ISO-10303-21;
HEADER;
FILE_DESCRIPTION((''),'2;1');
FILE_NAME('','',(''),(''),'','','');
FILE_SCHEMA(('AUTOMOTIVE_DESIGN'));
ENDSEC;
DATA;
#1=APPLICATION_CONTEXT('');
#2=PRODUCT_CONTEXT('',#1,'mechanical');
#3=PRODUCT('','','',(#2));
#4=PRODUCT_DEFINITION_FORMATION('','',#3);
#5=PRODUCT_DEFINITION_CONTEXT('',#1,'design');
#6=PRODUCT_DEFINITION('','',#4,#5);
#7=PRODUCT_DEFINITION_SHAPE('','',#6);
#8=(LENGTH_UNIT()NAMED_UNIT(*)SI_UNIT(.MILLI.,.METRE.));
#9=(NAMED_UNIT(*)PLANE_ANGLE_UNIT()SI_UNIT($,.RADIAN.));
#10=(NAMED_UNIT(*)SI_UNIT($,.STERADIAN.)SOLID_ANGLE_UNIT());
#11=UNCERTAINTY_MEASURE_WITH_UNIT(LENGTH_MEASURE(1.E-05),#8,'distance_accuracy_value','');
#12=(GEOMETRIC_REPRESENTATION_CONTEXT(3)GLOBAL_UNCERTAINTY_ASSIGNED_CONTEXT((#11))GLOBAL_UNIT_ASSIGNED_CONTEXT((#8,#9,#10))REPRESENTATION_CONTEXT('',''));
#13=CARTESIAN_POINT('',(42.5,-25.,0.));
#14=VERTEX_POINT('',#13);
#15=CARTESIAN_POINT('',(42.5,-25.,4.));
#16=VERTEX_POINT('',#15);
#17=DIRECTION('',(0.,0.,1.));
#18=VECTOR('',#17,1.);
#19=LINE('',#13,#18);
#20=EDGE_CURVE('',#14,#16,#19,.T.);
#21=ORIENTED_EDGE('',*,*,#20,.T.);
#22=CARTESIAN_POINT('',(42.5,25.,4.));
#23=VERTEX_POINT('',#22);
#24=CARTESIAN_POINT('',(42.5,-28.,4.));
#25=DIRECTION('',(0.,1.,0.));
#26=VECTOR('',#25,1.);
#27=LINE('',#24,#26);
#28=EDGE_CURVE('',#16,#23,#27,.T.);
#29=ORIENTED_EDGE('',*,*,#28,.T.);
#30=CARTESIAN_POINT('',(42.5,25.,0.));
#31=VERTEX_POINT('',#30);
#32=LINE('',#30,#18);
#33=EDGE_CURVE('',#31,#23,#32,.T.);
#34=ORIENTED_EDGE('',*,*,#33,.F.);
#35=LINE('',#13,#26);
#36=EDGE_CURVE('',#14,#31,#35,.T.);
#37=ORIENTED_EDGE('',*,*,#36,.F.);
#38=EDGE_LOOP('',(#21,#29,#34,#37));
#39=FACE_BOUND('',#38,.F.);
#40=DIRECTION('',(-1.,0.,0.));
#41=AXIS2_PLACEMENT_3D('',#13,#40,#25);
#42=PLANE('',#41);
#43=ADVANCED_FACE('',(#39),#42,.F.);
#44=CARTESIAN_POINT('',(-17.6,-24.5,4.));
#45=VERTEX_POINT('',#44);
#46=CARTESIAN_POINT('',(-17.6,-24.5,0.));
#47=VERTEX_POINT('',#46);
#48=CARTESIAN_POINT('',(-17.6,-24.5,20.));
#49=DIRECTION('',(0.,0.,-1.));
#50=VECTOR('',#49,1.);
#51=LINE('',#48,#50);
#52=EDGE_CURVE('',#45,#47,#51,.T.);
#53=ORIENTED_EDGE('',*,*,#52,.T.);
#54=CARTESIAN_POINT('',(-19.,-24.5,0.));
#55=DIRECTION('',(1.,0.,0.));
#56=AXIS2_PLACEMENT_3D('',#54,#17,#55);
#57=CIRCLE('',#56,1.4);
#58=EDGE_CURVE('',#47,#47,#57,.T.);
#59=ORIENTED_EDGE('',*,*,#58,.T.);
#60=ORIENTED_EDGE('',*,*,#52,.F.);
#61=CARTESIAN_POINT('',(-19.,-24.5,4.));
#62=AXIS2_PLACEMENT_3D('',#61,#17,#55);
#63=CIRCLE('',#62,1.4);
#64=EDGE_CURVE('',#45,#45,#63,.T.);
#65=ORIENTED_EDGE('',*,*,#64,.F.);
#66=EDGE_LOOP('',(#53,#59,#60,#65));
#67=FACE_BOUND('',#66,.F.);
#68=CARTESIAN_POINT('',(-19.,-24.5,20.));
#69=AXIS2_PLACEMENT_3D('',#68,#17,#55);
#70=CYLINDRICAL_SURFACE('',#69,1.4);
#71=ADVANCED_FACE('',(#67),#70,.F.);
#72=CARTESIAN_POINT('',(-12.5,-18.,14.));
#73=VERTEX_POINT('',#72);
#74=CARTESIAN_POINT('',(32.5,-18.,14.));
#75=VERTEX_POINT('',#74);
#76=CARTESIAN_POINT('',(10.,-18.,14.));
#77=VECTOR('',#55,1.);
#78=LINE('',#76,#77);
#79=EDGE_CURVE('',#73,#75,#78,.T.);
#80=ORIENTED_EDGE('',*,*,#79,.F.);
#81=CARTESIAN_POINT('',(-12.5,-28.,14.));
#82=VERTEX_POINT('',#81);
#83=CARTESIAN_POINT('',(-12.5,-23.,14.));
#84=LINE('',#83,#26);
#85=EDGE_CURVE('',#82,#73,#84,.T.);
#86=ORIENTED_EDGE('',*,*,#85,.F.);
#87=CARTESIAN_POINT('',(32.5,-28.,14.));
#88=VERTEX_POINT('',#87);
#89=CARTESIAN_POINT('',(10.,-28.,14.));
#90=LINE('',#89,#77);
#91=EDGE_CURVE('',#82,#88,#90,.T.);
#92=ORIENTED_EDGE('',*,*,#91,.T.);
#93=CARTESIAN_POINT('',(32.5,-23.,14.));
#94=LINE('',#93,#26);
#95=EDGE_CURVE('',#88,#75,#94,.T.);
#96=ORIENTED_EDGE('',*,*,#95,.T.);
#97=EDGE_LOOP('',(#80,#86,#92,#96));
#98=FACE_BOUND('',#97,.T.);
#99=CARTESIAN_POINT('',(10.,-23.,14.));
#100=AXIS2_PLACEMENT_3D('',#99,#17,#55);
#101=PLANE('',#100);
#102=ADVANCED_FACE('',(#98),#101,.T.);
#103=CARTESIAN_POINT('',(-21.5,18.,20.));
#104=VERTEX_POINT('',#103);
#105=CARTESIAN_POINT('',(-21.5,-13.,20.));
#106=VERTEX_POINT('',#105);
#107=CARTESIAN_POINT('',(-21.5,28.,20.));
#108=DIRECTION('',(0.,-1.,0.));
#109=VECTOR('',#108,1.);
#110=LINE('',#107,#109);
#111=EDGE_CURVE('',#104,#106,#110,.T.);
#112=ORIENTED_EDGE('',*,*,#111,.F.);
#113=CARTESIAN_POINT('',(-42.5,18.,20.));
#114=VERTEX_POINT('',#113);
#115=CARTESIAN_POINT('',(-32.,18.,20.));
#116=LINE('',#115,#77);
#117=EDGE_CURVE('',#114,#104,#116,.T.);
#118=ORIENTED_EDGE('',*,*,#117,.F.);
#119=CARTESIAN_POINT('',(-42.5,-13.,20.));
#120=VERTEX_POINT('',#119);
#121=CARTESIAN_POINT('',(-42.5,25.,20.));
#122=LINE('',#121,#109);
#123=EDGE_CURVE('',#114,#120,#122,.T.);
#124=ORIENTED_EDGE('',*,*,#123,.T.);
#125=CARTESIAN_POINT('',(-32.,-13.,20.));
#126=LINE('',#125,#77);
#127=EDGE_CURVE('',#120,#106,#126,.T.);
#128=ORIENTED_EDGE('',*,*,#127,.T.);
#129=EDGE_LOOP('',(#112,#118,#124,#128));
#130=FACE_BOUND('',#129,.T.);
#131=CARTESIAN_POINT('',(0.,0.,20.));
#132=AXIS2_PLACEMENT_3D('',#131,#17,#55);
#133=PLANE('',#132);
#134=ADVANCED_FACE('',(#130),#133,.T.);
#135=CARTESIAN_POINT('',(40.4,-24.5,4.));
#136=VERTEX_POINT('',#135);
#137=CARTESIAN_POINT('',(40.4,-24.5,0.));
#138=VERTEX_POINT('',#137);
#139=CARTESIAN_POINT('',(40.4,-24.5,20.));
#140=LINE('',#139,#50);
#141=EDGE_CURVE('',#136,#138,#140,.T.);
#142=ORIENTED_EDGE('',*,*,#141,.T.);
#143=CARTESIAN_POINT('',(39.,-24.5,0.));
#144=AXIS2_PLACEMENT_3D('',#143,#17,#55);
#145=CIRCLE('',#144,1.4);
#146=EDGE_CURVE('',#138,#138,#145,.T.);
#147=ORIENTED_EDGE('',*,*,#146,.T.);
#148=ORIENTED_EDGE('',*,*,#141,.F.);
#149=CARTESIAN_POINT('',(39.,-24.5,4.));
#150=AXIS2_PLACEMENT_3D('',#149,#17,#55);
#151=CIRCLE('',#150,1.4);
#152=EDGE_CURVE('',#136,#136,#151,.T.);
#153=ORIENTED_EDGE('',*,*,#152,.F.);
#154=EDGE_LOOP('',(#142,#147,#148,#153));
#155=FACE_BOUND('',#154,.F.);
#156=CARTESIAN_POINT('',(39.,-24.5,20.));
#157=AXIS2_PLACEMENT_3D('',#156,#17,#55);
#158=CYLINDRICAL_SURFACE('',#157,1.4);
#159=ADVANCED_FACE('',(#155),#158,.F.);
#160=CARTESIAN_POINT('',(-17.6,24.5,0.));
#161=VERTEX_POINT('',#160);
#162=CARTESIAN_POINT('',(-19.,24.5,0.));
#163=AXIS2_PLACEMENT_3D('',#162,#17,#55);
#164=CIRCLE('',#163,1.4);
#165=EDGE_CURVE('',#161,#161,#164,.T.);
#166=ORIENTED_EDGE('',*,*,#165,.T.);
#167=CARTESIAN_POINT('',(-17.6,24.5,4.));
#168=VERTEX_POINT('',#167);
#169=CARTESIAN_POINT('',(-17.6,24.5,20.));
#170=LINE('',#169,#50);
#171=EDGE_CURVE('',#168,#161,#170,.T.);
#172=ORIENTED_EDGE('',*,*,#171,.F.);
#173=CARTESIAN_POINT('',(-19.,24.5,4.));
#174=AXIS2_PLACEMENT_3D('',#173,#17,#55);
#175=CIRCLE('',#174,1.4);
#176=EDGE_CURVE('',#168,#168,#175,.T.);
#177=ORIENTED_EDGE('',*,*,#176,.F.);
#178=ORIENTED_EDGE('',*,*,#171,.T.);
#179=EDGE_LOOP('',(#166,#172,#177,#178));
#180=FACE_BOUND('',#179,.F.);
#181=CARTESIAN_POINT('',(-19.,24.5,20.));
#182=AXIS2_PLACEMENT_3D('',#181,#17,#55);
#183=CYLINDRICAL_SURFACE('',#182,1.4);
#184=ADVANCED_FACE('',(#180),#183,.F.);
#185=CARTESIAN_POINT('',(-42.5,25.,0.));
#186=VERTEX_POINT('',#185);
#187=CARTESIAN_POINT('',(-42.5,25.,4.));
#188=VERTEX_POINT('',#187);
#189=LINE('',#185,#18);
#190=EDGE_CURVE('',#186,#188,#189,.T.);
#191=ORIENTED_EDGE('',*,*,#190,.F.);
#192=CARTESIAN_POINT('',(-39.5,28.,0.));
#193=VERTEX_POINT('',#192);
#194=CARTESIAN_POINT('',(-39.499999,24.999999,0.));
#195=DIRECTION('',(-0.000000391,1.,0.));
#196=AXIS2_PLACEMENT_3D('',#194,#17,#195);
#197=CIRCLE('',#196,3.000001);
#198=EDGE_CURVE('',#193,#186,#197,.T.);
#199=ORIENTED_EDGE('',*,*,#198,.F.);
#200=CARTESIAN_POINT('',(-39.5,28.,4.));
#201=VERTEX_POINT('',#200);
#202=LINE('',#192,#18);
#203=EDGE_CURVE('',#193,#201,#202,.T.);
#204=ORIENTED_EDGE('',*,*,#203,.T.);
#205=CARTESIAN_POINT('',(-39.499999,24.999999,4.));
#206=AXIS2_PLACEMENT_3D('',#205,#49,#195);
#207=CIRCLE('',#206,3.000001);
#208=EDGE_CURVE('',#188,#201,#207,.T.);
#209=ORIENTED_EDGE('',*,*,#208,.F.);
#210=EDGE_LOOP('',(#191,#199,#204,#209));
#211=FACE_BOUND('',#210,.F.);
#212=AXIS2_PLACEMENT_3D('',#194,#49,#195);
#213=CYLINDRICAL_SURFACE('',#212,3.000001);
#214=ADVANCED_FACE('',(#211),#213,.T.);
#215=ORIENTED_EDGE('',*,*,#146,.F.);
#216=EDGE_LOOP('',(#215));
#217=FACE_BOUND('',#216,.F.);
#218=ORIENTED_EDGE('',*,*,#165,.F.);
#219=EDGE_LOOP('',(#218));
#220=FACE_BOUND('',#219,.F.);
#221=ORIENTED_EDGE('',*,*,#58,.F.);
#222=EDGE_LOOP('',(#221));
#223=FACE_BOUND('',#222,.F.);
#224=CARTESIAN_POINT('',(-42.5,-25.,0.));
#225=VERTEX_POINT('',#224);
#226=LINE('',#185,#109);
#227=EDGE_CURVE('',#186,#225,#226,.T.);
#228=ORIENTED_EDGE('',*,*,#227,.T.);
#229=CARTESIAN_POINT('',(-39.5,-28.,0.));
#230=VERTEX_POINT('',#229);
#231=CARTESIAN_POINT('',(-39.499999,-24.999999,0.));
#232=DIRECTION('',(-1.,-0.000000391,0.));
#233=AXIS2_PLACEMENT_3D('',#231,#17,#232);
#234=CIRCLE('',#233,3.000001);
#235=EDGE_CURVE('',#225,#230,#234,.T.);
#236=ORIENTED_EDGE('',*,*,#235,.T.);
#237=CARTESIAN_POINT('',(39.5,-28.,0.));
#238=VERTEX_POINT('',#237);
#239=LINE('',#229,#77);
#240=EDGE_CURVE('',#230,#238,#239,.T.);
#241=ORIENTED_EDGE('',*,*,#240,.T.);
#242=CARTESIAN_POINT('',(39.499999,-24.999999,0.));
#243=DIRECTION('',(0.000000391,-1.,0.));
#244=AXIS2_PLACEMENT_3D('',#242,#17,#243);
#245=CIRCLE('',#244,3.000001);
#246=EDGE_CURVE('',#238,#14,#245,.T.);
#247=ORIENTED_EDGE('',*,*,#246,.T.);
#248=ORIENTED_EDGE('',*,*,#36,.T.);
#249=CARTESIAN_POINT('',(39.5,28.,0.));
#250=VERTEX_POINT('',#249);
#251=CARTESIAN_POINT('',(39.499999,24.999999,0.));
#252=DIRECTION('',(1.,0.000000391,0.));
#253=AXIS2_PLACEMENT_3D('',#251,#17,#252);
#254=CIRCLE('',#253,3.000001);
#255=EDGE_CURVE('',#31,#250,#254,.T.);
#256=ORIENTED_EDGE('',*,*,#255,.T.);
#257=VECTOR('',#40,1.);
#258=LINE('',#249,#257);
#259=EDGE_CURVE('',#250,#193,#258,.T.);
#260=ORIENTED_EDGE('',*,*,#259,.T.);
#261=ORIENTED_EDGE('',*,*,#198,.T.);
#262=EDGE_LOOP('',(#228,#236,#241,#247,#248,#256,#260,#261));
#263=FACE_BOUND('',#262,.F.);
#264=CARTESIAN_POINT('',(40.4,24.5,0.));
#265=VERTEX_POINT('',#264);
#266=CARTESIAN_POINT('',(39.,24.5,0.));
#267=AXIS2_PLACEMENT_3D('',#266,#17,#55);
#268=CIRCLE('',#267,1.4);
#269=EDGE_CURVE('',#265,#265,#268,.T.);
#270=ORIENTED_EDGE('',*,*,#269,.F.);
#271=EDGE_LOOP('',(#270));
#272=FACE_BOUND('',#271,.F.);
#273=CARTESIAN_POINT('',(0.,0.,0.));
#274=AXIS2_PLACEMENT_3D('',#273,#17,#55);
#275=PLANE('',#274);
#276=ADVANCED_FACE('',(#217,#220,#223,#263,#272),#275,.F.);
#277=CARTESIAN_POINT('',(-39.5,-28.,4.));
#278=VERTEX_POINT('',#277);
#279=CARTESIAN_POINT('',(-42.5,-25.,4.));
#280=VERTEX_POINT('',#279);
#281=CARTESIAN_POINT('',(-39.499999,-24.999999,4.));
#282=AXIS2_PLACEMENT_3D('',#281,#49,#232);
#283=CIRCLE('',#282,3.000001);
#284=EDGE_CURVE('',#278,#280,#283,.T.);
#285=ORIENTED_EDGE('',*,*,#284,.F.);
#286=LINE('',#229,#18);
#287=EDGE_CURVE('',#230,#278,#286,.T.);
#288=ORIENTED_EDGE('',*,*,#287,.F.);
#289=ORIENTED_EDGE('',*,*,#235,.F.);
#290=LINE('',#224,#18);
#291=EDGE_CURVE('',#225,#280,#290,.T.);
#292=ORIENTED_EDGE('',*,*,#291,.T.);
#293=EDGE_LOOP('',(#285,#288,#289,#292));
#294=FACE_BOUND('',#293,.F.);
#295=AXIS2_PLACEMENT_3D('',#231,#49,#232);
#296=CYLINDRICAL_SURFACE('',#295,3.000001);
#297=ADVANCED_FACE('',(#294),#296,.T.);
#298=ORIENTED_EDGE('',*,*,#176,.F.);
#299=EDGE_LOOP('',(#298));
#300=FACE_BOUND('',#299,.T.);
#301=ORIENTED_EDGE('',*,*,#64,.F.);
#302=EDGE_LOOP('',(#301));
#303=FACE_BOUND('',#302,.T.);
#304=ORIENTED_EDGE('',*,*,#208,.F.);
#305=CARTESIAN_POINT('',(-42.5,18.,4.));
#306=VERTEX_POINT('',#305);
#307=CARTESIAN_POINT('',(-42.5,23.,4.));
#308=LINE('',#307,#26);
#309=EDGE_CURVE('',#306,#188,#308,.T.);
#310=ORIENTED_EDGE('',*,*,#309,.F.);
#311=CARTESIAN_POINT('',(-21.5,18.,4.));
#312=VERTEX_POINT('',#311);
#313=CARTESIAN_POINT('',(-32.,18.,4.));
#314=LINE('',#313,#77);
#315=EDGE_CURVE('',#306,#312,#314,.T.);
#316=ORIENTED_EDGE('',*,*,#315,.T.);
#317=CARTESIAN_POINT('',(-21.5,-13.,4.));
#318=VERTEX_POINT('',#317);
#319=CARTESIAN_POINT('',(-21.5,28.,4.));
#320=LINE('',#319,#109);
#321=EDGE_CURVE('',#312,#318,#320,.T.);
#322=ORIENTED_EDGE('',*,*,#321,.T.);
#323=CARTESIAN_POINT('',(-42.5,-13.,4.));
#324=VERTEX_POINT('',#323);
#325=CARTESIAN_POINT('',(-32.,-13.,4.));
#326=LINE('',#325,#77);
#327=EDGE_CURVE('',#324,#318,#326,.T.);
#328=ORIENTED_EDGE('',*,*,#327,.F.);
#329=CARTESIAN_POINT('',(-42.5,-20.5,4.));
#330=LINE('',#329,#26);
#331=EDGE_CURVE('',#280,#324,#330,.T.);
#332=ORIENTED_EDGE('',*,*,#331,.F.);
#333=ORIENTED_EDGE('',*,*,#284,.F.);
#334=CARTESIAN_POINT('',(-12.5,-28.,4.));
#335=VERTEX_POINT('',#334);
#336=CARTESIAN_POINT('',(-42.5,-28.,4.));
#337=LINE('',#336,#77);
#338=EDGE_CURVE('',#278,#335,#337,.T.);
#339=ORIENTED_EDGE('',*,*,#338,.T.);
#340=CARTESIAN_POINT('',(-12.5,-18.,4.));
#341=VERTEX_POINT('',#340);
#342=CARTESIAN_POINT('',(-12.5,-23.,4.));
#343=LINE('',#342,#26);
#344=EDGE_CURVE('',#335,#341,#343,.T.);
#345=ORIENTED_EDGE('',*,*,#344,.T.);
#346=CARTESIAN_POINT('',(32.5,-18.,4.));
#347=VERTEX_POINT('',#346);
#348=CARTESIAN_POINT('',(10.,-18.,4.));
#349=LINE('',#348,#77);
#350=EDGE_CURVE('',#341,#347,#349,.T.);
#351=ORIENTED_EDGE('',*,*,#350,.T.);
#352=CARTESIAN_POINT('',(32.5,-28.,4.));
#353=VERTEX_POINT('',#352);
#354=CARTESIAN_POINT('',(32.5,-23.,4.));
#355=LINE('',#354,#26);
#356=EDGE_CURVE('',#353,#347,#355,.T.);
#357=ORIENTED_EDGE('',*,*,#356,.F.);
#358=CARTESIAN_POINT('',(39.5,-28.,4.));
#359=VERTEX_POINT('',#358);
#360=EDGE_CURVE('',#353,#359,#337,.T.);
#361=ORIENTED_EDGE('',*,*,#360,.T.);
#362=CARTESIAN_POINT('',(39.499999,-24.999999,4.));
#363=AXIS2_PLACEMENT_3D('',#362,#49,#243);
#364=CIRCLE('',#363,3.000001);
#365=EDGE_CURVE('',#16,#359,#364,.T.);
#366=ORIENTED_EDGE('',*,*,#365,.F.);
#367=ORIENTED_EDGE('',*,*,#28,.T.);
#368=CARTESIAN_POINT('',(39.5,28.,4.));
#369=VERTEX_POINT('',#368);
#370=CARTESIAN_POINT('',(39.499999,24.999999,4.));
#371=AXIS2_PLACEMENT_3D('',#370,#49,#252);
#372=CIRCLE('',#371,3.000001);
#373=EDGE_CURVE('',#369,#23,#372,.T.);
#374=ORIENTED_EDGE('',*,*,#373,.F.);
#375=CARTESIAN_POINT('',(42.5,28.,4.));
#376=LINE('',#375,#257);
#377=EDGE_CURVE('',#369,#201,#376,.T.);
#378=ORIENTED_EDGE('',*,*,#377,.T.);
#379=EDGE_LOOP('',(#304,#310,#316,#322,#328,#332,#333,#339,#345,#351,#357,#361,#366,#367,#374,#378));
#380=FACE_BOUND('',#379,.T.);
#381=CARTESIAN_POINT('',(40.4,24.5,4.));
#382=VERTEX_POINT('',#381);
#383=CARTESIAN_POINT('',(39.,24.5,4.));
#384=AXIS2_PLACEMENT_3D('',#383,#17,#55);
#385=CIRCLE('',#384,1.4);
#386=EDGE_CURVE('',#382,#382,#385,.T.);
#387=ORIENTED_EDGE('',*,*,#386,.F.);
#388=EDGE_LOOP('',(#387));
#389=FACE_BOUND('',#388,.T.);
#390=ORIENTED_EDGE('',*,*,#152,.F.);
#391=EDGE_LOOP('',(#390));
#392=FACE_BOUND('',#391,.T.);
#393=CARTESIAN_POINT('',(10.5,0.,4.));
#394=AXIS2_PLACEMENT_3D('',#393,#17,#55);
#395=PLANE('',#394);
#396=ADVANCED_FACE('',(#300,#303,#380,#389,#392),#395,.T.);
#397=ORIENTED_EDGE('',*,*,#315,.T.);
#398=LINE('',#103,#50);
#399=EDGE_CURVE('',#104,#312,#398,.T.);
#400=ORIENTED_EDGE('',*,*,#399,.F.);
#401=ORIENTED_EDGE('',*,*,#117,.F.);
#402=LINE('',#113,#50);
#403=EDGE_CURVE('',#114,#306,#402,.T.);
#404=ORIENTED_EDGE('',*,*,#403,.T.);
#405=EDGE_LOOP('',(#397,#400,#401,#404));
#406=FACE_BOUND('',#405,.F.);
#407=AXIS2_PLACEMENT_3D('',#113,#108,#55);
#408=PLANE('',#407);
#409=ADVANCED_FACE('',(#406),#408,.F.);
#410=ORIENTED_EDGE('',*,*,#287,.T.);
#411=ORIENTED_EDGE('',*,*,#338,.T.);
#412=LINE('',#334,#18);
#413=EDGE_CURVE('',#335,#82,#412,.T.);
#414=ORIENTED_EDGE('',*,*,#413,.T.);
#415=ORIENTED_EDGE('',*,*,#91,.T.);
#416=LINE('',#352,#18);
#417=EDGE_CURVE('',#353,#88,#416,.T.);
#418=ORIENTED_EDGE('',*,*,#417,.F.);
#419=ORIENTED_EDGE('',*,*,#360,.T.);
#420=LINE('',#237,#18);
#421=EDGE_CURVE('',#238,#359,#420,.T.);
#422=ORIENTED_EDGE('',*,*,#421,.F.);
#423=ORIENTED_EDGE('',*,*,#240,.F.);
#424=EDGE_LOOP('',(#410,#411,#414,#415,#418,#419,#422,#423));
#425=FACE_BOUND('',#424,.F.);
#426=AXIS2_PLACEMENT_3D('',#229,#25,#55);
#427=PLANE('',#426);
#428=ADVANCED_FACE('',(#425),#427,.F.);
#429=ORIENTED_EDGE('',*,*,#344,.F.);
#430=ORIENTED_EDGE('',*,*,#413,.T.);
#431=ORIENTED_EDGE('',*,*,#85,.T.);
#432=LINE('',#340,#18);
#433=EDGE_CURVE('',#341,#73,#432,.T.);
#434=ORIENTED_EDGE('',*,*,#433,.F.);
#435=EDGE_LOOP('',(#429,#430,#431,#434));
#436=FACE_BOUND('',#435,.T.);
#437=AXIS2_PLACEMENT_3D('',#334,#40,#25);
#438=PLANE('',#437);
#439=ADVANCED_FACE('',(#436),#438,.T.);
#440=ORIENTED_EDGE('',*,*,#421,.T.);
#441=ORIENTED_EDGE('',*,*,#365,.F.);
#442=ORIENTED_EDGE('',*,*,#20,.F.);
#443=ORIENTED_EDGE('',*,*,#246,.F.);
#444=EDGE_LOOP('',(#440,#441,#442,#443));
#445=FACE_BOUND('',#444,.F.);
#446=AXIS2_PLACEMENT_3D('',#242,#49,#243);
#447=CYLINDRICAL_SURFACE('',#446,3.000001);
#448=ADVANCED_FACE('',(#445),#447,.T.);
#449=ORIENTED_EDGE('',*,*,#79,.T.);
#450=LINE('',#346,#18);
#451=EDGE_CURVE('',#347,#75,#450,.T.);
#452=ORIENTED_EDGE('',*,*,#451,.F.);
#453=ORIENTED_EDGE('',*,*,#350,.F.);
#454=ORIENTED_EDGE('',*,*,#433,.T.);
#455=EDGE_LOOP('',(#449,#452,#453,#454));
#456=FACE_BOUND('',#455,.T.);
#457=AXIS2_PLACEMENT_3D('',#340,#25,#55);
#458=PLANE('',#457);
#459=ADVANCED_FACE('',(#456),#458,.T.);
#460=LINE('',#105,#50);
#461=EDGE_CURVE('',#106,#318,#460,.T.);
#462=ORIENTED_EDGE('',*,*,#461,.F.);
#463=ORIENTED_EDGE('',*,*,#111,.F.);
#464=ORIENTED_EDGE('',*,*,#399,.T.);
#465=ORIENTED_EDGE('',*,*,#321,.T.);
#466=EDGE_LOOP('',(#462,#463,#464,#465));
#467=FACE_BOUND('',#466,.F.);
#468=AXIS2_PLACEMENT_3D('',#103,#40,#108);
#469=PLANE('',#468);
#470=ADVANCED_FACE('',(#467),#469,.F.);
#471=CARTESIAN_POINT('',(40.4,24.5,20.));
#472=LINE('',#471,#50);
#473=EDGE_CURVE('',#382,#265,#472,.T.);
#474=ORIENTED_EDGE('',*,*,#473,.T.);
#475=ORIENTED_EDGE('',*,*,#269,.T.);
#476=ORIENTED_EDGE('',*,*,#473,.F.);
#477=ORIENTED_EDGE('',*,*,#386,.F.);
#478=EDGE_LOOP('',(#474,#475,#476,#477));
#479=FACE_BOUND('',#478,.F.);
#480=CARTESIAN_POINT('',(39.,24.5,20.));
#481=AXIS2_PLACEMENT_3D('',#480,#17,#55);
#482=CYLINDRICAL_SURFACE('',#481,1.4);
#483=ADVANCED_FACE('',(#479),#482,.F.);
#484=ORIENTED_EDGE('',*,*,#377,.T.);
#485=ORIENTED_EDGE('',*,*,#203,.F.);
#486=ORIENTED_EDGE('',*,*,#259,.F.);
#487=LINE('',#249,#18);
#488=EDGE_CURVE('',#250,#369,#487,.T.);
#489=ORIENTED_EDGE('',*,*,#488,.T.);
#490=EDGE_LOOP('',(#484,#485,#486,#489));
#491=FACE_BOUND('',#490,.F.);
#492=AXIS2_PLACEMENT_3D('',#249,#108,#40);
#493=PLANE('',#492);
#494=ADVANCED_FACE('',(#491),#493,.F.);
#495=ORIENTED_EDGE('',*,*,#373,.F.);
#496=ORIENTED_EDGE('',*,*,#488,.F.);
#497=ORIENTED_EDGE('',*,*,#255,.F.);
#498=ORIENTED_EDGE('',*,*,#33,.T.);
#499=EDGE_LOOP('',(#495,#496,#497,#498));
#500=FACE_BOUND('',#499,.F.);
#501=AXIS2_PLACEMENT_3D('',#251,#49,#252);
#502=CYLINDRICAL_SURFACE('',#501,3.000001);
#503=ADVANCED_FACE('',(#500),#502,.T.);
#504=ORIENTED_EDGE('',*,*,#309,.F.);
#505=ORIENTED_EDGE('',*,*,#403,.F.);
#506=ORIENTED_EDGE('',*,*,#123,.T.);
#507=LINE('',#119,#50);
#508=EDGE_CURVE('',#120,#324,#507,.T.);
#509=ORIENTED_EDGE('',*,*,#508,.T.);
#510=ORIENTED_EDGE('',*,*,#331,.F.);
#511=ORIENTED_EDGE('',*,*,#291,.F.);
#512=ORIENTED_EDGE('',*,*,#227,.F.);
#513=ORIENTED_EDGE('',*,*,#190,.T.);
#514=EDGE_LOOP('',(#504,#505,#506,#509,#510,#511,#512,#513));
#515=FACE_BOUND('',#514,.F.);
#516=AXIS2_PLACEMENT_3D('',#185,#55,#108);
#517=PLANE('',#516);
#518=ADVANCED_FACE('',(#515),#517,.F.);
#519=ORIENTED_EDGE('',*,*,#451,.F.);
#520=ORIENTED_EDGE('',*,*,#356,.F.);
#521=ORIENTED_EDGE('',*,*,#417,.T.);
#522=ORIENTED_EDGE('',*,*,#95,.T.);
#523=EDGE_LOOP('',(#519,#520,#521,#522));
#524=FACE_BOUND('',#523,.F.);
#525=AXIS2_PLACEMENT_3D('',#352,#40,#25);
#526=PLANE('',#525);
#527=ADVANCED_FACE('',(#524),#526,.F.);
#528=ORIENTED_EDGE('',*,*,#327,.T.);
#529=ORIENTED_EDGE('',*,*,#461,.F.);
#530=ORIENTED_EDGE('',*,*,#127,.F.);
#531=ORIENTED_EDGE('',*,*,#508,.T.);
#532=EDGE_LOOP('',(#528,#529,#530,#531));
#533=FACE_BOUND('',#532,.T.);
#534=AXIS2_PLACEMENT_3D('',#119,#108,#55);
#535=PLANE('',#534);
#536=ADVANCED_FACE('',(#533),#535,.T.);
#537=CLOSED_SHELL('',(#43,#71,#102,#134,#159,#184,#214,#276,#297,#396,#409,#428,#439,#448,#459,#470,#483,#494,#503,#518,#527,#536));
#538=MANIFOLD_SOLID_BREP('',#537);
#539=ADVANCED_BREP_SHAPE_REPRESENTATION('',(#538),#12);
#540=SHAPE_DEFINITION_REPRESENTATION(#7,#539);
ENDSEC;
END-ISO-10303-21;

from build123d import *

# Parameters (mm, degrees)
F1_DEPTH = 20
F2_R     = 1.4
F3_DEPTH = 25
F4_W     = 21
F4_H     = 10
F4_H_2   = 15
F5_DEPTH = 16
F6_W     = 45
F6_H     = 10
F7_DEPTH = 10


with BuildPart() as f1:
    # F0 (on Top) → F1 (new body)
    with BuildSketch(Plane.XY):
        with BuildLine():
            Line((-39.5, -28), (39.5, -28))
            ThreePointArc((39.5, -28), (41.62132, -27.12132), (42.5, -25))
            Line((42.5, -25), (42.5, 25))
            ThreePointArc((42.5, 25), (41.62132, 27.12132), (39.5, 28))
            Line((39.5, 28), (-39.5, 28))
            ThreePointArc((-39.5, 28), (-41.62132, 27.12132), (-42.5, 25))
            Line((-42.5, 25), (-42.5, -25))
            ThreePointArc((-42.5, -25), (-41.62132, -27.12132), (-39.5, -28))
        make_face()
    extrude(amount=F1_DEPTH)

    # F2 (on face) → F3 (cut)
    with BuildSketch(Plane.XY.offset(20)):
        with Locations((-19, 24.5)):
            Circle(F2_R)
        with Locations((39, 24.5)):
            Circle(F2_R)
        with Locations((-19, -24.5)):
            Circle(F2_R)
        with Locations((39, -24.5)):
            Circle(F2_R)
    extrude(amount=-F3_DEPTH, mode=Mode.SUBTRACT)

    # F4 (on face) → F5 (cut)
    with BuildSketch(Plane.XY.offset(20)):
        Polygon((42.5, -28), (42.5, 28), (-21.5, 28), (-21.5, 18), (-21.5, -13), (-21.5, -28), align=None)
        with Locations((-32, 23)):
            Rectangle(F4_W, F4_H)
        with Locations((-32, -20.5)):
            Rectangle(F4_W, F4_H_2)
    extrude(amount=-F5_DEPTH, mode=Mode.SUBTRACT)

    # F6 (on face) → F7 (join)
    with BuildSketch(Plane.XY.offset(4)):
        with Locations((10, -23)):
            Rectangle(F6_W, F6_H)
    extrude(amount=F7_DEPTH)


solid = f1.part
